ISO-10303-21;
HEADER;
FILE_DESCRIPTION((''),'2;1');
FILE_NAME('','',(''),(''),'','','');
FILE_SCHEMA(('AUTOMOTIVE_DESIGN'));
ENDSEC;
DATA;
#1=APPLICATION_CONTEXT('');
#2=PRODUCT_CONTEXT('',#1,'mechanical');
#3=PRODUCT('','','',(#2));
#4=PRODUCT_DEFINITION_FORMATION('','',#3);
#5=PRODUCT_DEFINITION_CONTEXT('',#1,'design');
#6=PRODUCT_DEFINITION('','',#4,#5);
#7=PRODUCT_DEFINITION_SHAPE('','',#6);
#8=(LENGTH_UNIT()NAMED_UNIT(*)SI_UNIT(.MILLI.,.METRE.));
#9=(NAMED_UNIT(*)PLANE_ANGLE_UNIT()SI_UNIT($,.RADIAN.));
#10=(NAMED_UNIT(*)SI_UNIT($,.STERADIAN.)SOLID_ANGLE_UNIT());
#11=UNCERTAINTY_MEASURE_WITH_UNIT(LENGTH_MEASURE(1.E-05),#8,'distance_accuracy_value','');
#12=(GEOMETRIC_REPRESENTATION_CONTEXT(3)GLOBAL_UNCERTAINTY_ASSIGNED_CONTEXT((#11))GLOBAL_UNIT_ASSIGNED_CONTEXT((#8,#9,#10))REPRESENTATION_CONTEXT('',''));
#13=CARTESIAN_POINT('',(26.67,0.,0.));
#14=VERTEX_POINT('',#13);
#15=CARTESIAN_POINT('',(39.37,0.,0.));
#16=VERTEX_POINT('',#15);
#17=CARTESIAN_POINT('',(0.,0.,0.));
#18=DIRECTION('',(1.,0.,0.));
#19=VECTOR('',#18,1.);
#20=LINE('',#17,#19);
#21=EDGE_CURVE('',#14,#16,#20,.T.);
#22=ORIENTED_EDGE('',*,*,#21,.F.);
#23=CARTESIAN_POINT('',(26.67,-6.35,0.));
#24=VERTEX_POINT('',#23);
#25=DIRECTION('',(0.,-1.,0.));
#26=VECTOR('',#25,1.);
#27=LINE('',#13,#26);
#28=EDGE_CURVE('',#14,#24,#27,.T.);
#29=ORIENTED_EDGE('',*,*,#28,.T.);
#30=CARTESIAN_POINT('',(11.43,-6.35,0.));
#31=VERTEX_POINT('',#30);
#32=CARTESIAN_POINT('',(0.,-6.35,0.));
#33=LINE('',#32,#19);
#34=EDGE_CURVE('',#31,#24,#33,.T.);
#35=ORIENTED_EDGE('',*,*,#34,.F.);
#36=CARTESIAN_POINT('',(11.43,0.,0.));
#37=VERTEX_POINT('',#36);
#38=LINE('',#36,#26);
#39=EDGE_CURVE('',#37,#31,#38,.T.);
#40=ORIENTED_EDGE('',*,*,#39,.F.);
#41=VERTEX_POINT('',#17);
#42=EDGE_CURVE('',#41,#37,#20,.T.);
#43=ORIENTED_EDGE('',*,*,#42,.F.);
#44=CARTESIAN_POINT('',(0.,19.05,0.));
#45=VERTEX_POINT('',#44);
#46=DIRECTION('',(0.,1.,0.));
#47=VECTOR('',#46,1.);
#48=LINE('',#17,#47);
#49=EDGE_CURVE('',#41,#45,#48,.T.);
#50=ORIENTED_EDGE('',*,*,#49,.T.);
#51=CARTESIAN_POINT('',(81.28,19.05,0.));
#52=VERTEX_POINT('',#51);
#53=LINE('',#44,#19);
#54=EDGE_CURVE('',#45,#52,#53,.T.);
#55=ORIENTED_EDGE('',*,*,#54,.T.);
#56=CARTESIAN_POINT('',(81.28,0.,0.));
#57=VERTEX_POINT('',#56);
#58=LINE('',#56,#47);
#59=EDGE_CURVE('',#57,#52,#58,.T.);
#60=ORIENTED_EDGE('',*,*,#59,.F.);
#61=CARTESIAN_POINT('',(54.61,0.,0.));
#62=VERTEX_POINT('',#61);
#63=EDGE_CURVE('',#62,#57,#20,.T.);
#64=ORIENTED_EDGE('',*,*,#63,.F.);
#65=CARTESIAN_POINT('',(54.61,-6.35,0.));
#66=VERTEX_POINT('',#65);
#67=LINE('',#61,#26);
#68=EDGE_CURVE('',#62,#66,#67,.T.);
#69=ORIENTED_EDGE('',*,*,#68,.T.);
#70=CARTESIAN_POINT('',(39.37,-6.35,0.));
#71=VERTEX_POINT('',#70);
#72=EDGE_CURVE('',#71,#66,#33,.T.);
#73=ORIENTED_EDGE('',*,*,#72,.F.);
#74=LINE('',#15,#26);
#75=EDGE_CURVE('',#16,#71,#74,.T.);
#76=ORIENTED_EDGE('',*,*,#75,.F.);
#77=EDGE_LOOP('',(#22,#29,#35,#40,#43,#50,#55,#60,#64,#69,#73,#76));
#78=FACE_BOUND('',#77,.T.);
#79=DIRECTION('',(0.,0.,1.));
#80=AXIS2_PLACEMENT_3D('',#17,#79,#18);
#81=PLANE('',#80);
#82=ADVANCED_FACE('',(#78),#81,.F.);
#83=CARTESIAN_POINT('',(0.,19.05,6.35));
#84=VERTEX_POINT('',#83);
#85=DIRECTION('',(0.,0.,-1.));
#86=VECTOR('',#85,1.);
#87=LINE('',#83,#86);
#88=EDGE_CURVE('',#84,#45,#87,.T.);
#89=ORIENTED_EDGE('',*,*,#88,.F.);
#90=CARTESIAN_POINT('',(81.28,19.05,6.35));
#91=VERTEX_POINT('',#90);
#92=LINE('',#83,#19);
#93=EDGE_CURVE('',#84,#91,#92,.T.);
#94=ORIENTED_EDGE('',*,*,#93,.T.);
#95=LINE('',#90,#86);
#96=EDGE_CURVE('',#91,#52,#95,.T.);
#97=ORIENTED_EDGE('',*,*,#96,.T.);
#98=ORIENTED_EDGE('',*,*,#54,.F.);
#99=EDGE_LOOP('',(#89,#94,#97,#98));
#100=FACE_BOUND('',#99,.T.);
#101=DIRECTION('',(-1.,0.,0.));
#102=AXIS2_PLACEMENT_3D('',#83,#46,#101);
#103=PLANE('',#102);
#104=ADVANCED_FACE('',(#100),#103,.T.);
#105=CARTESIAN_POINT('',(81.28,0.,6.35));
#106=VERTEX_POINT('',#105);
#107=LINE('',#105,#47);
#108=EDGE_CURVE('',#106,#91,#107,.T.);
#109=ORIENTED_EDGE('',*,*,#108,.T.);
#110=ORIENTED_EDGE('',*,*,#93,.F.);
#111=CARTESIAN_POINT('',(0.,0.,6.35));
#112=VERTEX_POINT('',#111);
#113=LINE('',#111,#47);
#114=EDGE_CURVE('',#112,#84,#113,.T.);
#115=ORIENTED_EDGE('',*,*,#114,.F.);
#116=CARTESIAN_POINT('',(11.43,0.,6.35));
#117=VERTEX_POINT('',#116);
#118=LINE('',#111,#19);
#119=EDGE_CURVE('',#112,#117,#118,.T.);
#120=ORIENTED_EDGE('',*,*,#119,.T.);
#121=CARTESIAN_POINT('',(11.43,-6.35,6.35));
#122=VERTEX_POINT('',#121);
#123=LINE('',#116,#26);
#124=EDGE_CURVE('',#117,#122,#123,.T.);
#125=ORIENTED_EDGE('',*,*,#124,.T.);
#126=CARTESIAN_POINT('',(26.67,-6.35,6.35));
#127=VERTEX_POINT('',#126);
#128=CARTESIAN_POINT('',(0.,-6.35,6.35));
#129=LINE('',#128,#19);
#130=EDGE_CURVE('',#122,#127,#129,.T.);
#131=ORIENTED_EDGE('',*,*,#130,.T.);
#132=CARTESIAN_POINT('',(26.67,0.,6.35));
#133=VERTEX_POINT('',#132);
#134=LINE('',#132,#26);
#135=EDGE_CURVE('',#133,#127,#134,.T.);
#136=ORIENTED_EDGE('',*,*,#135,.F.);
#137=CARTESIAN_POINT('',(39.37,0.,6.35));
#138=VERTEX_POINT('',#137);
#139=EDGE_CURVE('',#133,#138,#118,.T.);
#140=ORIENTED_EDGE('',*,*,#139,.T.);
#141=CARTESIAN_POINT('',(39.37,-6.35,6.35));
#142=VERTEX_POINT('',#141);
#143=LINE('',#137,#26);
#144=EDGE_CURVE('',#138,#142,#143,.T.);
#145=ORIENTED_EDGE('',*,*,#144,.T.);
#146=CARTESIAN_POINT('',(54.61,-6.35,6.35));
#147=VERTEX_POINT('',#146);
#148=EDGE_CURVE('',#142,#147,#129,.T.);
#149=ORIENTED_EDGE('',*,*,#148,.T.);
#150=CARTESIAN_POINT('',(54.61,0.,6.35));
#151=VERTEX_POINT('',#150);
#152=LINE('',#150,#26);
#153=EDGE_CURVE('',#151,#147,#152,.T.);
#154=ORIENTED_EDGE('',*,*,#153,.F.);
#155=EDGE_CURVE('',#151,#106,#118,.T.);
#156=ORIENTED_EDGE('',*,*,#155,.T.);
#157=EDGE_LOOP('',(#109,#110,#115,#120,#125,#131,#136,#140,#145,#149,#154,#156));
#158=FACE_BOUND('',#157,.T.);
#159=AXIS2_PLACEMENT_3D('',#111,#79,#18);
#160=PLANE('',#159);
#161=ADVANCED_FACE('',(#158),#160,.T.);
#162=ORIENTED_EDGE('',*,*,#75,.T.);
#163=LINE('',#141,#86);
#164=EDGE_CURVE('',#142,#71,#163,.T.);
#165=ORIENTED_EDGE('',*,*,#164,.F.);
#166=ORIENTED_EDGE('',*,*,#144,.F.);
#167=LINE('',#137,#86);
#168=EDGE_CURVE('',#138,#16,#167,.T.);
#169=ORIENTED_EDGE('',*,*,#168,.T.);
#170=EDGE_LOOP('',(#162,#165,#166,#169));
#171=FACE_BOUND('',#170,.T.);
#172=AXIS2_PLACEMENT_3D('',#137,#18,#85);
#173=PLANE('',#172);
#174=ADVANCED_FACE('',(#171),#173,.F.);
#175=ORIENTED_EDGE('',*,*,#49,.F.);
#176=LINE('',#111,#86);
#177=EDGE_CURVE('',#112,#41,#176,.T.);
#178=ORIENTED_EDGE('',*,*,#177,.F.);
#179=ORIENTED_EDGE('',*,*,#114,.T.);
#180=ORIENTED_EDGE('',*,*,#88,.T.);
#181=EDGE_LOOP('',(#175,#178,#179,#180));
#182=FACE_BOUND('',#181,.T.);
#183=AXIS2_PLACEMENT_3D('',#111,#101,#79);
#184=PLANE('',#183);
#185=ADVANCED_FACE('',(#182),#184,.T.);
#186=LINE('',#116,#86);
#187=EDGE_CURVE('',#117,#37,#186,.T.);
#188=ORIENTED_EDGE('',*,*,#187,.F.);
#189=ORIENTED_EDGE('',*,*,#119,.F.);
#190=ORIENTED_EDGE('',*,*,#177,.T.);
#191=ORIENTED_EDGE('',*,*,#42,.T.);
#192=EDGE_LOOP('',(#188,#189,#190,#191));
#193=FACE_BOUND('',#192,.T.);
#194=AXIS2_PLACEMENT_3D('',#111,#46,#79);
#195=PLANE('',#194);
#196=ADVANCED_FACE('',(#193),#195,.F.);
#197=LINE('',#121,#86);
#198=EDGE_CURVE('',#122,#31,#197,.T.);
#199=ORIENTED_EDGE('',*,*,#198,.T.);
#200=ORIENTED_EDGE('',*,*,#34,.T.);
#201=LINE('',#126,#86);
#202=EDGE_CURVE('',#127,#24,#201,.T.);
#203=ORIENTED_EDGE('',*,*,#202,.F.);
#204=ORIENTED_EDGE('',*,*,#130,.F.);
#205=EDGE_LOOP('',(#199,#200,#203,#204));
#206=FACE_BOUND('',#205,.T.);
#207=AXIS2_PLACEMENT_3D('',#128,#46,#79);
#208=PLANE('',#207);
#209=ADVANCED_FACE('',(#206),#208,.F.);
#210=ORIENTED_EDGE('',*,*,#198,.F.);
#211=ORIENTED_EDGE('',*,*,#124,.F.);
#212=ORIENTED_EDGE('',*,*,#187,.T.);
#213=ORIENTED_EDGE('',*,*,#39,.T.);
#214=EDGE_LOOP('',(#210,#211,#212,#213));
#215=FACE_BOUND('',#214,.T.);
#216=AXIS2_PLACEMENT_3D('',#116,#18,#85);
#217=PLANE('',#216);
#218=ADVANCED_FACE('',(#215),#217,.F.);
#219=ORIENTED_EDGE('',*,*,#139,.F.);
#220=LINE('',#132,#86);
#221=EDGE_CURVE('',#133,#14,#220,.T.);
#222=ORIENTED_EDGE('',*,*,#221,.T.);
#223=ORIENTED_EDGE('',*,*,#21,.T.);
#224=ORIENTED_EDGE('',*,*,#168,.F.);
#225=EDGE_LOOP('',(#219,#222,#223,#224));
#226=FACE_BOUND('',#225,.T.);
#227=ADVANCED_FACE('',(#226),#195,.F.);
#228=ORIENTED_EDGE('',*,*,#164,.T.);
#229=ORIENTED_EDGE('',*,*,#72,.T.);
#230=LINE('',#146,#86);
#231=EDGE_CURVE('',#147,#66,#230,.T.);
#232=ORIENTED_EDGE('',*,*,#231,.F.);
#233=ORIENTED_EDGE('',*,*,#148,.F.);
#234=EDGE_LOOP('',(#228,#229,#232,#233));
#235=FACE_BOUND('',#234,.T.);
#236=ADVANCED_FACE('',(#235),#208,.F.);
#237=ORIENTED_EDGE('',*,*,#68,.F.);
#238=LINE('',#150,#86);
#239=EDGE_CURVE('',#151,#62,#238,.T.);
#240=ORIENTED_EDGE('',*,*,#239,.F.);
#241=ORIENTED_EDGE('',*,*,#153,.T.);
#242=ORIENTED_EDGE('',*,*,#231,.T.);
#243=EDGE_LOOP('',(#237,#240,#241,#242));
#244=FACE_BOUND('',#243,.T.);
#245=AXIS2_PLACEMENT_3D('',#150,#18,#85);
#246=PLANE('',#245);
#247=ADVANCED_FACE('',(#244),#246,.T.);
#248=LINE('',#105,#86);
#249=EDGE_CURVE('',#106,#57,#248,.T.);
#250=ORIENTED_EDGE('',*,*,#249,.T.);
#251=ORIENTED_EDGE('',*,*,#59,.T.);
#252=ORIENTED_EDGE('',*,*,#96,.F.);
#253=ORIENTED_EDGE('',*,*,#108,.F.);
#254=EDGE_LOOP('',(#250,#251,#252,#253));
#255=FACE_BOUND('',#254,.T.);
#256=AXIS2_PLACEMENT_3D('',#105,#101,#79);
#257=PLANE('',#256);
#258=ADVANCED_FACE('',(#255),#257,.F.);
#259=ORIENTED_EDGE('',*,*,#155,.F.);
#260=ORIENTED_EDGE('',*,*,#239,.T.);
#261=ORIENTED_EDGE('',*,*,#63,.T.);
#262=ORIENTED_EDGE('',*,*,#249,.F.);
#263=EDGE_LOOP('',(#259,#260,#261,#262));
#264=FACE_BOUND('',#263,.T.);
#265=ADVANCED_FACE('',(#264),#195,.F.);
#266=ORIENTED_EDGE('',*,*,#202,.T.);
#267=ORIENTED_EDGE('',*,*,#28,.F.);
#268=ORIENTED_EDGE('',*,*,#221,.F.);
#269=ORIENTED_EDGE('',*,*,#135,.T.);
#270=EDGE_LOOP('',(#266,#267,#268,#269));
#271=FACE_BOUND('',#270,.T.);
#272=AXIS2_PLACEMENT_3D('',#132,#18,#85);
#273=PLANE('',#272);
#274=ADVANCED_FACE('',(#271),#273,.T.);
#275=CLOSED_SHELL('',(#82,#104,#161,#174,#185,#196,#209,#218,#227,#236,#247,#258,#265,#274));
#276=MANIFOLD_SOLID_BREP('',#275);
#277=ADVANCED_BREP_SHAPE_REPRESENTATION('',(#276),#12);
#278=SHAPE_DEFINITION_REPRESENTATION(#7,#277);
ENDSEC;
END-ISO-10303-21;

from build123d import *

# Parameters (mm, degrees)
SKETCH1_W           = 15.24
SKETCH1_H           = 6.35
SKETCH1_W_2         = 81.28
SKETCH1_H_2         = 19.05
BOSS_EXTRUDE1_DEPTH = 6.35


with BuildPart() as part:
    # Sketch1 → Boss-Extrude1 (new body)
    with BuildSketch(Plane.XY):
        with Locations((19.05, -3.175)):
            Rectangle(SKETCH1_W, SKETCH1_H)
        with Locations((40.64, 9.525)):
            Rectangle(SKETCH1_W_2, SKETCH1_H_2)
        with Locations((46.99, -3.175)):
            Rectangle(SKETCH1_W, SKETCH1_H)
    extrude(amount=BOSS_EXTRUDE1_DEPTH)


solid = part.part
